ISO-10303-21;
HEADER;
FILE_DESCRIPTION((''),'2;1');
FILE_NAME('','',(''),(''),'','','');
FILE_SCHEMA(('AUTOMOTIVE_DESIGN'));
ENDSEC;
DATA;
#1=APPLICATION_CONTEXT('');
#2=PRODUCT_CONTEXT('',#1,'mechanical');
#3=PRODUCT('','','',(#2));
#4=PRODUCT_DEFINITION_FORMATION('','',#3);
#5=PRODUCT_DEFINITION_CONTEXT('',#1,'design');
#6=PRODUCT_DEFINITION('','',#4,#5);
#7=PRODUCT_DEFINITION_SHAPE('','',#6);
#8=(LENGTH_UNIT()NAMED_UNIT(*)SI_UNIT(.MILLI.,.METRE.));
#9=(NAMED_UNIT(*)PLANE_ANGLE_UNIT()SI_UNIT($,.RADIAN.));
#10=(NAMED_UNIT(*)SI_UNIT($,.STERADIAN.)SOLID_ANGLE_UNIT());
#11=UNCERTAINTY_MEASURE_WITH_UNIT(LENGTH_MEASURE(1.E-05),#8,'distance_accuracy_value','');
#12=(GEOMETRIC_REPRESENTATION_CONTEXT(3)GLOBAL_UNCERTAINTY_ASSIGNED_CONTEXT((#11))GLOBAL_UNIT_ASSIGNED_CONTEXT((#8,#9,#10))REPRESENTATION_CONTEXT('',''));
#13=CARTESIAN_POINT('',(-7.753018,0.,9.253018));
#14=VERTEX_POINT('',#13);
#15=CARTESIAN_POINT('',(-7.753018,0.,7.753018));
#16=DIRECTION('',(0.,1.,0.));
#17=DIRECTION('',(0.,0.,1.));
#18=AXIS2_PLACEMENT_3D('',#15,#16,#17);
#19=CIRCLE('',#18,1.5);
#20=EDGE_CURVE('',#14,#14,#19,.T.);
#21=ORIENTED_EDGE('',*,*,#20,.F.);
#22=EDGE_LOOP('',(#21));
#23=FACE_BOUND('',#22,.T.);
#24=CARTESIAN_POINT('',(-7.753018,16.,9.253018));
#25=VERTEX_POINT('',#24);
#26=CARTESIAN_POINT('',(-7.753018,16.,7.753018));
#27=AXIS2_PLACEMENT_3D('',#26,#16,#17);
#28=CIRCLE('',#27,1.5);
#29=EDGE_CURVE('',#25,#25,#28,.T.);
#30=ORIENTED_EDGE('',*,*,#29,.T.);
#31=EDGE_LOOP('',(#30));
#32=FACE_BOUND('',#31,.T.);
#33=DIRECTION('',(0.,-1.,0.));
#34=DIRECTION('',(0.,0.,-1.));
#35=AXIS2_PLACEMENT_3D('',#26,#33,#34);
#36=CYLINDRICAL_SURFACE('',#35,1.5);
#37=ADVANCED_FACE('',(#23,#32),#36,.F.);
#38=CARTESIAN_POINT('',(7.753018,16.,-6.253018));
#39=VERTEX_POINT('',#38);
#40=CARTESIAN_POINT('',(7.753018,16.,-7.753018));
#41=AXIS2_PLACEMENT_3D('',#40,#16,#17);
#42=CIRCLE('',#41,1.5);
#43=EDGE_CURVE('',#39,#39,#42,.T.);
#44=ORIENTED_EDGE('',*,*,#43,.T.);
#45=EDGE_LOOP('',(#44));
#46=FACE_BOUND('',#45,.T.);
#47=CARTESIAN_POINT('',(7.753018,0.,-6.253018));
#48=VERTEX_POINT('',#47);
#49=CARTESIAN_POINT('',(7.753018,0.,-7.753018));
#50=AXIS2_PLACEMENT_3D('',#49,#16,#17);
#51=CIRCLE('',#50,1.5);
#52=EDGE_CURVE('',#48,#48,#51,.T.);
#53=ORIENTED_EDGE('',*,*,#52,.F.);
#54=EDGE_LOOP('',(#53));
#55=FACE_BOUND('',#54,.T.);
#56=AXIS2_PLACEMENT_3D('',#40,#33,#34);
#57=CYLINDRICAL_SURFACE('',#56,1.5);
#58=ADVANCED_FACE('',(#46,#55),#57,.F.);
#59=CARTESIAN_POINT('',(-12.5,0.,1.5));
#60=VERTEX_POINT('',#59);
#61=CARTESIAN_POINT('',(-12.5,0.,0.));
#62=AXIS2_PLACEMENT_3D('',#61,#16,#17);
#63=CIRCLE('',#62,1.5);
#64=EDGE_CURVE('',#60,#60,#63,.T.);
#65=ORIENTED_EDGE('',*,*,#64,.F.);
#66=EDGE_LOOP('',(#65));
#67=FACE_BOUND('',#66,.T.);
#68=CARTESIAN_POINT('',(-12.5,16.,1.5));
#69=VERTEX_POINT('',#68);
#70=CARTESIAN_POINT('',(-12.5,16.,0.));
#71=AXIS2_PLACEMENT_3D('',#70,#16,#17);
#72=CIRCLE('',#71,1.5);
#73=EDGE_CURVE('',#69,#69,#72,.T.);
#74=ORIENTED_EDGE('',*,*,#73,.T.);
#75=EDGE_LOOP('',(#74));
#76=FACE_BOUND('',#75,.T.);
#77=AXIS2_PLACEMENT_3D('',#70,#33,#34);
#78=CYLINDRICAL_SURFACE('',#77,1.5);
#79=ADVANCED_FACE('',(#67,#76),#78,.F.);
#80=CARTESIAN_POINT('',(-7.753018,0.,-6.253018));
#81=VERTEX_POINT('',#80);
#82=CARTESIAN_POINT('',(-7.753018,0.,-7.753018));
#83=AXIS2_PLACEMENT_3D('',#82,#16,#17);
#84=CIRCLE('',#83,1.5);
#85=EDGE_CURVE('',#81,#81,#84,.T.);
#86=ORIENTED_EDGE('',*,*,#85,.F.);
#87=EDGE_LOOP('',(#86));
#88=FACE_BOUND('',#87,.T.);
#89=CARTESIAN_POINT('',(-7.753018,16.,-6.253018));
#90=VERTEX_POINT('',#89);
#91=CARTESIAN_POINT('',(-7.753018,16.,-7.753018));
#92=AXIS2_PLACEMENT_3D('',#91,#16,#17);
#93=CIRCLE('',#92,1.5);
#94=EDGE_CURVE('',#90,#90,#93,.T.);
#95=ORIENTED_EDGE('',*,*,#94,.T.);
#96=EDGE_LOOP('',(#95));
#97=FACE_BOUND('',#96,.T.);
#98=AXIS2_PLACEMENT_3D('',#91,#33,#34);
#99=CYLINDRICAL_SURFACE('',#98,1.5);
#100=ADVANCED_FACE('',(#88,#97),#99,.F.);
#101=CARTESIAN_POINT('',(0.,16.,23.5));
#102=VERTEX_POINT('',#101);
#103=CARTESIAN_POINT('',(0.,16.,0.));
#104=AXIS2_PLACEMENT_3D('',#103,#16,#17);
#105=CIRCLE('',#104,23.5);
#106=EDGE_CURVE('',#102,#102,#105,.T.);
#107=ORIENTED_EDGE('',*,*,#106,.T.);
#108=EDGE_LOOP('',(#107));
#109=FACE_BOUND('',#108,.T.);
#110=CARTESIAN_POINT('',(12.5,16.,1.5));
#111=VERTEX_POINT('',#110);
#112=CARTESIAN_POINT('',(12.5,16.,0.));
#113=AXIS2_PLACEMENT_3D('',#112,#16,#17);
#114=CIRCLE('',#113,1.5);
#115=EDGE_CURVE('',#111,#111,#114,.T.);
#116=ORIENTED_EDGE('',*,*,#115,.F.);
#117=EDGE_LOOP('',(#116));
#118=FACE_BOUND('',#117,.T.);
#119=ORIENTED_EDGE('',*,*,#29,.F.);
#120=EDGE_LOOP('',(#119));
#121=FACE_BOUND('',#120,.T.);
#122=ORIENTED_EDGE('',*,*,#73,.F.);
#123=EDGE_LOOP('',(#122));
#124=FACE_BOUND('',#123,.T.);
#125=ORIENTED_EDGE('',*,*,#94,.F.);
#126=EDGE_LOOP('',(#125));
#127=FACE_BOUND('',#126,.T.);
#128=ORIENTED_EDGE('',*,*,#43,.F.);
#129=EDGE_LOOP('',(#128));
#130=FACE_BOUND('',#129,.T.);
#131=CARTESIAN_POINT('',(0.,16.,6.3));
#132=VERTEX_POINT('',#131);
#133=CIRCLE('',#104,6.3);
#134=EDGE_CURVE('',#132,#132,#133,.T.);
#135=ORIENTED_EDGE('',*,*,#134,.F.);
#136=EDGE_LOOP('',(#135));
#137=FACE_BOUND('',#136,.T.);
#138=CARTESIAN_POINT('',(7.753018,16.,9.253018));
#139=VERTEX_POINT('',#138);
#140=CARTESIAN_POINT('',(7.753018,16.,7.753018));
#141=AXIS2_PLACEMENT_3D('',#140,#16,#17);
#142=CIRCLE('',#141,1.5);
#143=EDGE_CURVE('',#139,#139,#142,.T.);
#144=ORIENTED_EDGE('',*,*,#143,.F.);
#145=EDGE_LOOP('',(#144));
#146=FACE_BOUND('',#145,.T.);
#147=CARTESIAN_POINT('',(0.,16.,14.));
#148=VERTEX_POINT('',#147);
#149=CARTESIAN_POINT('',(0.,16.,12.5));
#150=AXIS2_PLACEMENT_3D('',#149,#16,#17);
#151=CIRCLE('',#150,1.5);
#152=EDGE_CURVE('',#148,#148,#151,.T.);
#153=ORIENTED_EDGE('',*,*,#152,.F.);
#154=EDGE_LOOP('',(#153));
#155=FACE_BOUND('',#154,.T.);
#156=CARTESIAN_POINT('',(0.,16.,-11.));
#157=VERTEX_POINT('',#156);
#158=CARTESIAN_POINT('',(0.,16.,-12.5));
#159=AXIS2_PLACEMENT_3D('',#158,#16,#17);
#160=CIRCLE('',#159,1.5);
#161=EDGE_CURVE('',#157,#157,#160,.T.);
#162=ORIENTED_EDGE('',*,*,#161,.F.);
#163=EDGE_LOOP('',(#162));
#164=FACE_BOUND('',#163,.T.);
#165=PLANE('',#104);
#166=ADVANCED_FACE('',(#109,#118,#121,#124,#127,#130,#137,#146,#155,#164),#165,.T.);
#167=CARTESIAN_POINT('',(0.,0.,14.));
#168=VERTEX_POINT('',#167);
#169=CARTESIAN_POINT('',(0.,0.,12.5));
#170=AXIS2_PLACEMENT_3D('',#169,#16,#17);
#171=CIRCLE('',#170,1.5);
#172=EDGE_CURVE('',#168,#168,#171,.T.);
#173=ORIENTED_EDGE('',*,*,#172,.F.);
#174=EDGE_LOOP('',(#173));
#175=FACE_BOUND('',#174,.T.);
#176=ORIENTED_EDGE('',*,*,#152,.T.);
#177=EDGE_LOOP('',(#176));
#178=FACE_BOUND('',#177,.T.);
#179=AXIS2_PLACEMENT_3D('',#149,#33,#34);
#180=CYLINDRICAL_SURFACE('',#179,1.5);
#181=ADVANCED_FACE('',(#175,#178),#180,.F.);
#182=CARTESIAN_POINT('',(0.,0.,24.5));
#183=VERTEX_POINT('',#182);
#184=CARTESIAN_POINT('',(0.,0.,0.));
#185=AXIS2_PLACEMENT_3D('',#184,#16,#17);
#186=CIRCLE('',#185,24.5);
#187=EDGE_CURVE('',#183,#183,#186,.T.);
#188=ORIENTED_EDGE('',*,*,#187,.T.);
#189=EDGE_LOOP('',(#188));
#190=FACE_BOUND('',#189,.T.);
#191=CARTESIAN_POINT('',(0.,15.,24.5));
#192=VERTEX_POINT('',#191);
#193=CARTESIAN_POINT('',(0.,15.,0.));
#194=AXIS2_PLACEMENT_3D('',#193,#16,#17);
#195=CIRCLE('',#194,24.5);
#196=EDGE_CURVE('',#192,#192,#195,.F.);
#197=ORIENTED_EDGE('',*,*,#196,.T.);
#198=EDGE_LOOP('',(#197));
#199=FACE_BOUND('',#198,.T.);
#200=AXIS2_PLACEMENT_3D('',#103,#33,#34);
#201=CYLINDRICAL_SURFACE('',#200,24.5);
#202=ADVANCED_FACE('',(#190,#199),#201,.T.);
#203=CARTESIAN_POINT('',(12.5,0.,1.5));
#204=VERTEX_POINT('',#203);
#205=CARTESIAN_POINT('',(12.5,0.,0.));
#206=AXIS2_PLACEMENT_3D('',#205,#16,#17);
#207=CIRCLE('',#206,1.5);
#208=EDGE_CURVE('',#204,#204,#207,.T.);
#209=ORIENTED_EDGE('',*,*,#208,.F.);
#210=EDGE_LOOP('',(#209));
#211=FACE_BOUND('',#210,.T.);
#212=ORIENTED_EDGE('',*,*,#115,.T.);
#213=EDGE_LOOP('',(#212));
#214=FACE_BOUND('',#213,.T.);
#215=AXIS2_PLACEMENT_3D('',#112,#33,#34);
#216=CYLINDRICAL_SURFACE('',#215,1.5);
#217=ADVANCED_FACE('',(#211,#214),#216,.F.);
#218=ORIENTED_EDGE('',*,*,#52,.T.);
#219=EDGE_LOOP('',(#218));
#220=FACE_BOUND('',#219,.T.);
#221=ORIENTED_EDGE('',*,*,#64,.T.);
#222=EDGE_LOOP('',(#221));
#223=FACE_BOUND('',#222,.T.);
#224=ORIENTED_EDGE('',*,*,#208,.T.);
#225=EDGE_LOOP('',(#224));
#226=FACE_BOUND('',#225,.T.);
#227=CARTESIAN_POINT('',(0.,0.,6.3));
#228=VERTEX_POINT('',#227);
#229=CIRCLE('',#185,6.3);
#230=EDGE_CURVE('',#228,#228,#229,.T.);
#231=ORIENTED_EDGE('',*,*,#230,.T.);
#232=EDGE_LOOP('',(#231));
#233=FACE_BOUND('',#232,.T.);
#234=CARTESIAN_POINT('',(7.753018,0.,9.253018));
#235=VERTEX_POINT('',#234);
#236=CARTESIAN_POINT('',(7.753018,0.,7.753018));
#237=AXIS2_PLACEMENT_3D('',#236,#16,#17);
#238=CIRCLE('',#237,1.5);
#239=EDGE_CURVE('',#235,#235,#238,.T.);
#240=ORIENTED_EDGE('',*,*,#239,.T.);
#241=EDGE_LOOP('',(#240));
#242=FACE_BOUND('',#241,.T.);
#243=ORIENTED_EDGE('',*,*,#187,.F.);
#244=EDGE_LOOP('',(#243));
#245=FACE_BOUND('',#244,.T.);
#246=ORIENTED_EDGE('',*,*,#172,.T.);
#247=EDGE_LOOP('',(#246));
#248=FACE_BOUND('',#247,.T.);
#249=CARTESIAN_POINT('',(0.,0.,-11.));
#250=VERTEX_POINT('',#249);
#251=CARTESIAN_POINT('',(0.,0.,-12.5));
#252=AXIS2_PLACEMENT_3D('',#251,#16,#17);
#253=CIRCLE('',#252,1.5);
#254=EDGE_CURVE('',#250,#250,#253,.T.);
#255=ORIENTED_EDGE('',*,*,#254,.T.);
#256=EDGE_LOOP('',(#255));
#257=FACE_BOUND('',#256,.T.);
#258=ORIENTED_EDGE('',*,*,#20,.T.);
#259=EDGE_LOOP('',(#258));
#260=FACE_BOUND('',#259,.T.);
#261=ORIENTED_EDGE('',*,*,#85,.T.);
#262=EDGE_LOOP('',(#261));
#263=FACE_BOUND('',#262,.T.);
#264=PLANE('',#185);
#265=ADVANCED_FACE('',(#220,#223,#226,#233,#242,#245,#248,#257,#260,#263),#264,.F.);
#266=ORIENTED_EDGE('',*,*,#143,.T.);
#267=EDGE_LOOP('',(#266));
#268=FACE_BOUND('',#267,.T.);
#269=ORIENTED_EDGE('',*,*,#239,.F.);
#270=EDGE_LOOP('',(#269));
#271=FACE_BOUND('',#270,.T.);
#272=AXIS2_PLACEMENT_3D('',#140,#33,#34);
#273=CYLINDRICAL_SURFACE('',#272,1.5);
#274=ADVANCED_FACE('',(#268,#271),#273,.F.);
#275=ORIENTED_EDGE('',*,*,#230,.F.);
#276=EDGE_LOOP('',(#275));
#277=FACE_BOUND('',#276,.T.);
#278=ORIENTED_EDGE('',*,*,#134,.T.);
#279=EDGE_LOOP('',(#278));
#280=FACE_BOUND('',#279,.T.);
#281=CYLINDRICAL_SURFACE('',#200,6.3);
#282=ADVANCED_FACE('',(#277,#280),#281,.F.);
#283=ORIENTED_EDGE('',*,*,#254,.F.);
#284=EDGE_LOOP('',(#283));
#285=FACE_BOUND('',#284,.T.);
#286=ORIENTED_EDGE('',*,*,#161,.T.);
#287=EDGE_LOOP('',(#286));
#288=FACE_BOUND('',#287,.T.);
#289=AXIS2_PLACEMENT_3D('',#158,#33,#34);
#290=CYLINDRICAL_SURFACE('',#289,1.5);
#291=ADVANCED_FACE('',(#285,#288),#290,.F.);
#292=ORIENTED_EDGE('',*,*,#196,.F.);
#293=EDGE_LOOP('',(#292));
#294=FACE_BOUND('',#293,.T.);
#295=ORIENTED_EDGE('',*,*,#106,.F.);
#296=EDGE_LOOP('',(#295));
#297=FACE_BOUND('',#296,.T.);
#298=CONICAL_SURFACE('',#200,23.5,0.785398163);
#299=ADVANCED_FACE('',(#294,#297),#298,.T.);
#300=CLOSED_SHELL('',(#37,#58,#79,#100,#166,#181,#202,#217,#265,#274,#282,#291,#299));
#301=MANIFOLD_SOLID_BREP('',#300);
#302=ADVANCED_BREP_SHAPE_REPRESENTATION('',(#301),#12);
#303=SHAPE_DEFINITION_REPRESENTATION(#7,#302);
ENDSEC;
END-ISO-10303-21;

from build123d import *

# Parameters (mm, degrees)
ESQUISSE1_R        = 24.5
ESQUISSE1_R_2      = 1.5
ESQUISSE1_R_3      = 6.3
BOSS_EXTRU_1_DEPTH = 16
CHANFREIN1_SIZE    = 1


with BuildPart() as part:
    # Esquisse1 → Boss.-Extru.1 (new body)
    with BuildSketch(Plane(origin=(0, 0, 0), x_dir=(1, 0, 0), z_dir=(0, 1, 0))):
        Circle(ESQUISSE1_R)
        with Locations((0, 12.5)):
            Circle(ESQUISSE1_R_2, mode=Mode.SUBTRACT)
        with Locations((12.5, 0)):
            Circle(ESQUISSE1_R_2, mode=Mode.SUBTRACT)
        with Locations((0, -12.5)):
            Circle(ESQUISSE1_R_2, mode=Mode.SUBTRACT)
        with Locations((-12.5, 0)):
            Circle(ESQUISSE1_R_2, mode=Mode.SUBTRACT)
        with Locations((7.753017526, 7.753017526)):
            Circle(ESQUISSE1_R_2, mode=Mode.SUBTRACT)
        with Locations((7.753017526, -7.753017526)):
            Circle(ESQUISSE1_R_2, mode=Mode.SUBTRACT)
        with Locations((-7.753017526, -7.753017526)):
            Circle(ESQUISSE1_R_2, mode=Mode.SUBTRACT)
        with Locations((-7.753017526, 7.753017526)):
            Circle(ESQUISSE1_R_2, mode=Mode.SUBTRACT)
        Circle(ESQUISSE1_R_3, mode=Mode.SUBTRACT)
    extrude(amount=BOSS_EXTRU_1_DEPTH)

    # Chanfrein1
    chanfrein1_edges = [part.edges().sort_by_distance(p)[0] for p in [
        (-24.5, 16, 0),
    ]]
    chamfer(chanfrein1_edges, length=CHANFREIN1_SIZE)


solid = part.part
